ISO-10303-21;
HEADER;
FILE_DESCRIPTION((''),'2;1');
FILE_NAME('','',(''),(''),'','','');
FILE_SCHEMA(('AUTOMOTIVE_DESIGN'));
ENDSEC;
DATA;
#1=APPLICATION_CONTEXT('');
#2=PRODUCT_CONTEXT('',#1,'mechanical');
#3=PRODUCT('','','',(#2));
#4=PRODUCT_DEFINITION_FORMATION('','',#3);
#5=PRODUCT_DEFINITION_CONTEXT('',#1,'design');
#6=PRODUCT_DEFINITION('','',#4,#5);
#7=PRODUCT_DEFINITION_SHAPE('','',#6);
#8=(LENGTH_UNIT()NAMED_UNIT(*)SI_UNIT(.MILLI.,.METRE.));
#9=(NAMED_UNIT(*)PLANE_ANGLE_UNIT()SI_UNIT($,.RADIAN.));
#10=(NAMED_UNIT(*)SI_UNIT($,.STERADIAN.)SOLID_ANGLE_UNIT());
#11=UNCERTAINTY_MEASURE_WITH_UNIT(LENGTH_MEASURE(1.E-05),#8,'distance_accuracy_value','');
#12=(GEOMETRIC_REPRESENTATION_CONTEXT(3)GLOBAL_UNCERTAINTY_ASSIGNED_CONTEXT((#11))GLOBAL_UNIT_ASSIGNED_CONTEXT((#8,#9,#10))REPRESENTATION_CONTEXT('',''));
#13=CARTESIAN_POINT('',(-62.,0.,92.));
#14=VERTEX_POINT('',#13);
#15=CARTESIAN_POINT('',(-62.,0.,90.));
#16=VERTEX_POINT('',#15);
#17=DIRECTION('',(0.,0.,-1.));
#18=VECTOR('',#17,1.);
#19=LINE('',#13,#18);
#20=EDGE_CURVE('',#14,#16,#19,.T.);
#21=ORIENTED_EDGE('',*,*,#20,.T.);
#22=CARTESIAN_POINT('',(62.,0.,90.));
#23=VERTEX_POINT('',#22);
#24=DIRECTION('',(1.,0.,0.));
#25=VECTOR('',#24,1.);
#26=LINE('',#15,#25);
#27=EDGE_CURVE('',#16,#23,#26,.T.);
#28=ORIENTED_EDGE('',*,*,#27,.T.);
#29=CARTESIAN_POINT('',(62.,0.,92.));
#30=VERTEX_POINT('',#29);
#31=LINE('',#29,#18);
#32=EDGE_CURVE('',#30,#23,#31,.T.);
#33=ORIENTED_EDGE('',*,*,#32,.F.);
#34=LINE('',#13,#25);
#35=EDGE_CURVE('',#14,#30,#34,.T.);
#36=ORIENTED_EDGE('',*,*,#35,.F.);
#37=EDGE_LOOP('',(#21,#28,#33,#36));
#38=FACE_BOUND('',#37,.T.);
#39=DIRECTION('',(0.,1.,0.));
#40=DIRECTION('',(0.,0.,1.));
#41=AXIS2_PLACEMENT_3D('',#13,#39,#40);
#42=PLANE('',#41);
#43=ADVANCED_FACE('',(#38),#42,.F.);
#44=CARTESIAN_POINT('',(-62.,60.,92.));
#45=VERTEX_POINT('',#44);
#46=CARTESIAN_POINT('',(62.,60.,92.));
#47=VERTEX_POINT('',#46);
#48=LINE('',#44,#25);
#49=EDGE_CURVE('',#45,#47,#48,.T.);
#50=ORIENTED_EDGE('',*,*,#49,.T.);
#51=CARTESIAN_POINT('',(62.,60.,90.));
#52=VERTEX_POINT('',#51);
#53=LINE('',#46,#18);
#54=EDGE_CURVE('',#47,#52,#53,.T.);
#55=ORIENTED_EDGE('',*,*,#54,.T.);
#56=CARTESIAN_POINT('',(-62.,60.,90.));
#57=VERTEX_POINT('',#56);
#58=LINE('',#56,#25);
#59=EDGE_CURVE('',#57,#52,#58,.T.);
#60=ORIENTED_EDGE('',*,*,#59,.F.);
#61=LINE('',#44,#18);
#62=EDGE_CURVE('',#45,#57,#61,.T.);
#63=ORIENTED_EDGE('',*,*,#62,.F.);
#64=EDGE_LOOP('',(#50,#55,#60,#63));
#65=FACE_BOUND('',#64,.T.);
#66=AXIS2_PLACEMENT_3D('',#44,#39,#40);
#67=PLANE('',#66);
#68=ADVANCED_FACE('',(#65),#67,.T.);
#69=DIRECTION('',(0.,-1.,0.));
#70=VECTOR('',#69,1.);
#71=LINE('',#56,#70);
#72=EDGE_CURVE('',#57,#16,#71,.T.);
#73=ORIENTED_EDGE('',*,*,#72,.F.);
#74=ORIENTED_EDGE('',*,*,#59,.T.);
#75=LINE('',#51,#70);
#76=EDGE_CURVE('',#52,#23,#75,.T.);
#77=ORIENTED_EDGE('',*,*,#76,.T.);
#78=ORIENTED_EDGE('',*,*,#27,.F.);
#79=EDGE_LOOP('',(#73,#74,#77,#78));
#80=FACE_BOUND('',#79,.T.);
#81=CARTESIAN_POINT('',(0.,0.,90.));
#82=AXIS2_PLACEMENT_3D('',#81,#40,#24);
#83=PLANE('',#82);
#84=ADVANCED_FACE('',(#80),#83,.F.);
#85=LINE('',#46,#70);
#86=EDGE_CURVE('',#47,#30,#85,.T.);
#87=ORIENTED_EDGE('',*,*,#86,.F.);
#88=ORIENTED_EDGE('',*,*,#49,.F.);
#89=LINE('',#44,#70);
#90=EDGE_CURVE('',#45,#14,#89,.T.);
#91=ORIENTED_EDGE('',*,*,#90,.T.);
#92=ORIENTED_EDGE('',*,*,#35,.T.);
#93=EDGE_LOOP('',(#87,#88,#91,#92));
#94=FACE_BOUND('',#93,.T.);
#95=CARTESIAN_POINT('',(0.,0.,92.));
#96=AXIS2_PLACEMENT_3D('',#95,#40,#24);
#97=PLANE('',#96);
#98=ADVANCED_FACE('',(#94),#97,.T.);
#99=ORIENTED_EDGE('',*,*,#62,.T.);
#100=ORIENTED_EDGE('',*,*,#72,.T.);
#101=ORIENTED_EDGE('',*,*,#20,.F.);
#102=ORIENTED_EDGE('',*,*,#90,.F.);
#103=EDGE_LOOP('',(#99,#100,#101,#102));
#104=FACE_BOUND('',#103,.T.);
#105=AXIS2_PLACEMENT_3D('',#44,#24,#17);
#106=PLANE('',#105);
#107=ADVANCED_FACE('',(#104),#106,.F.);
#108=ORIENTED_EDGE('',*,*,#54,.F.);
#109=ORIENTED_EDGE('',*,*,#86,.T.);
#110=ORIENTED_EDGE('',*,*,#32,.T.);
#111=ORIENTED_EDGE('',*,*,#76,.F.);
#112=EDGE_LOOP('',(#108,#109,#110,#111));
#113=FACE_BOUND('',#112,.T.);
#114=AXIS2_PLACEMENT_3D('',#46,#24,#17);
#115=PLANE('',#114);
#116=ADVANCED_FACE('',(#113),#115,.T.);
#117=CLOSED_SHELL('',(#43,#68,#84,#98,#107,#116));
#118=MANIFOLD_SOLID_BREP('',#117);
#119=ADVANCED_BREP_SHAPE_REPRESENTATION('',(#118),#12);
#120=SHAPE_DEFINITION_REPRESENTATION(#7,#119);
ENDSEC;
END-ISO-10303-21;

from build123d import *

# Parameters (mm, degrees)
SKETCH1_W           = 124
SKETCH1_H           = 60
BOSS_EXTRUDE1_DEPTH = 2


with BuildPart() as part:
    # Sketch1 → Boss-Extrude1 (new body)
    with BuildSketch(Plane.XY.offset(90)):
        with Locations((0, 30)):
            Rectangle(SKETCH1_W, SKETCH1_H)
    extrude(amount=BOSS_EXTRUDE1_DEPTH)


solid = part.part
